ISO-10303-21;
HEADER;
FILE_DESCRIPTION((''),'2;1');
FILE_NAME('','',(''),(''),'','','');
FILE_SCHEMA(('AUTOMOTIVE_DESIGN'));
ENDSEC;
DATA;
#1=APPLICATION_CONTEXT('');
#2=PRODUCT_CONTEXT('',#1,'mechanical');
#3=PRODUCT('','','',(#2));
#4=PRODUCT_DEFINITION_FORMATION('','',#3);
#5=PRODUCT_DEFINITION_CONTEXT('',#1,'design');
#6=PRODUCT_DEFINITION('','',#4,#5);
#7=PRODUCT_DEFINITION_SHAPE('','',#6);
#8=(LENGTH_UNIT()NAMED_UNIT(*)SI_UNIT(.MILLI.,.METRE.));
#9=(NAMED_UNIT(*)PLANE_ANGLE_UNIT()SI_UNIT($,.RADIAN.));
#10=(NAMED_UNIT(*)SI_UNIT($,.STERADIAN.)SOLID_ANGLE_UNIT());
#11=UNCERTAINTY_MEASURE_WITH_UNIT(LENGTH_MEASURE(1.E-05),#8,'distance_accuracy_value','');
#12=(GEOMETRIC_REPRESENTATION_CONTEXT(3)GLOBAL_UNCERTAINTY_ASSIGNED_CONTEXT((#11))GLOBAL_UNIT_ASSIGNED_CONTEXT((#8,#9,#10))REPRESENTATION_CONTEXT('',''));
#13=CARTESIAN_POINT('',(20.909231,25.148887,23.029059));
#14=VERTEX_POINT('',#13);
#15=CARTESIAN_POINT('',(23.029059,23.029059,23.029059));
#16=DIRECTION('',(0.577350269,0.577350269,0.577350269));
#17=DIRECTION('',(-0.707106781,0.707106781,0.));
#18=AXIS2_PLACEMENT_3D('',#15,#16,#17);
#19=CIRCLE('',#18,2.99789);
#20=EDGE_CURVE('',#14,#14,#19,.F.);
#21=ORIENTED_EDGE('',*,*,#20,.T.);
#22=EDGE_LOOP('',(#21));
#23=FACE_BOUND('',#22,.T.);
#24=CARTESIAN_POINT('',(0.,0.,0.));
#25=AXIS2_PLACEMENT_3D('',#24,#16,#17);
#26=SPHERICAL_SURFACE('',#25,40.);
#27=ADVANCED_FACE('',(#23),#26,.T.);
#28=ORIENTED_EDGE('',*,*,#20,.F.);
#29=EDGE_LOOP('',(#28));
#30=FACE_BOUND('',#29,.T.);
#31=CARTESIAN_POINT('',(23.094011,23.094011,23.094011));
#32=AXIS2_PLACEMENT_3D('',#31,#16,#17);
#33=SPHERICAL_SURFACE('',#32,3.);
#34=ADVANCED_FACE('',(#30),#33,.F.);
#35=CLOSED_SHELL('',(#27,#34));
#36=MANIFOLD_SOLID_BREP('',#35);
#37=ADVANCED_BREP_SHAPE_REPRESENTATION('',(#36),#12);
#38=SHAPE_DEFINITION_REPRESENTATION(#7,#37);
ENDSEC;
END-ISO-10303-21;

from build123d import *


with BuildPart() as part:
    # Sketch1 → Revolve1 (revolve)
    with BuildSketch(Plane.XY):
        with BuildLine():
            Line((0, 40), (0, -40))
            ThreePointArc((0, -40), (40, 0), (0, 40))
        make_face()
    revolve(axis=Axis((0, 0, 0), (0, 1, 0)))

    # Sketch3 → Cut-Revolve2 (revolve, cut)
    with BuildSketch(Plane(origin=(23.094010768, 23.094010768, 23.094010768), x_dir=(-0.4958264952019329, -0.3138848166461637, 0.8097113118481005), z_dir=(0.5773502691896258, 0.5773502691896278, 0.5773502691896238))):
        with BuildLine():
            Line((0, 3), (0, -3))
            ThreePointArc((0, -3), (3, 0), (0, 3))
        make_face()
    revolve(axis=Axis((23.094010768, 23.094010768, 23.094010768), (-0.6487085272465858, 0.7537526043375696, -0.1050440770909867)), mode=Mode.SUBTRACT)


solid = part.part
